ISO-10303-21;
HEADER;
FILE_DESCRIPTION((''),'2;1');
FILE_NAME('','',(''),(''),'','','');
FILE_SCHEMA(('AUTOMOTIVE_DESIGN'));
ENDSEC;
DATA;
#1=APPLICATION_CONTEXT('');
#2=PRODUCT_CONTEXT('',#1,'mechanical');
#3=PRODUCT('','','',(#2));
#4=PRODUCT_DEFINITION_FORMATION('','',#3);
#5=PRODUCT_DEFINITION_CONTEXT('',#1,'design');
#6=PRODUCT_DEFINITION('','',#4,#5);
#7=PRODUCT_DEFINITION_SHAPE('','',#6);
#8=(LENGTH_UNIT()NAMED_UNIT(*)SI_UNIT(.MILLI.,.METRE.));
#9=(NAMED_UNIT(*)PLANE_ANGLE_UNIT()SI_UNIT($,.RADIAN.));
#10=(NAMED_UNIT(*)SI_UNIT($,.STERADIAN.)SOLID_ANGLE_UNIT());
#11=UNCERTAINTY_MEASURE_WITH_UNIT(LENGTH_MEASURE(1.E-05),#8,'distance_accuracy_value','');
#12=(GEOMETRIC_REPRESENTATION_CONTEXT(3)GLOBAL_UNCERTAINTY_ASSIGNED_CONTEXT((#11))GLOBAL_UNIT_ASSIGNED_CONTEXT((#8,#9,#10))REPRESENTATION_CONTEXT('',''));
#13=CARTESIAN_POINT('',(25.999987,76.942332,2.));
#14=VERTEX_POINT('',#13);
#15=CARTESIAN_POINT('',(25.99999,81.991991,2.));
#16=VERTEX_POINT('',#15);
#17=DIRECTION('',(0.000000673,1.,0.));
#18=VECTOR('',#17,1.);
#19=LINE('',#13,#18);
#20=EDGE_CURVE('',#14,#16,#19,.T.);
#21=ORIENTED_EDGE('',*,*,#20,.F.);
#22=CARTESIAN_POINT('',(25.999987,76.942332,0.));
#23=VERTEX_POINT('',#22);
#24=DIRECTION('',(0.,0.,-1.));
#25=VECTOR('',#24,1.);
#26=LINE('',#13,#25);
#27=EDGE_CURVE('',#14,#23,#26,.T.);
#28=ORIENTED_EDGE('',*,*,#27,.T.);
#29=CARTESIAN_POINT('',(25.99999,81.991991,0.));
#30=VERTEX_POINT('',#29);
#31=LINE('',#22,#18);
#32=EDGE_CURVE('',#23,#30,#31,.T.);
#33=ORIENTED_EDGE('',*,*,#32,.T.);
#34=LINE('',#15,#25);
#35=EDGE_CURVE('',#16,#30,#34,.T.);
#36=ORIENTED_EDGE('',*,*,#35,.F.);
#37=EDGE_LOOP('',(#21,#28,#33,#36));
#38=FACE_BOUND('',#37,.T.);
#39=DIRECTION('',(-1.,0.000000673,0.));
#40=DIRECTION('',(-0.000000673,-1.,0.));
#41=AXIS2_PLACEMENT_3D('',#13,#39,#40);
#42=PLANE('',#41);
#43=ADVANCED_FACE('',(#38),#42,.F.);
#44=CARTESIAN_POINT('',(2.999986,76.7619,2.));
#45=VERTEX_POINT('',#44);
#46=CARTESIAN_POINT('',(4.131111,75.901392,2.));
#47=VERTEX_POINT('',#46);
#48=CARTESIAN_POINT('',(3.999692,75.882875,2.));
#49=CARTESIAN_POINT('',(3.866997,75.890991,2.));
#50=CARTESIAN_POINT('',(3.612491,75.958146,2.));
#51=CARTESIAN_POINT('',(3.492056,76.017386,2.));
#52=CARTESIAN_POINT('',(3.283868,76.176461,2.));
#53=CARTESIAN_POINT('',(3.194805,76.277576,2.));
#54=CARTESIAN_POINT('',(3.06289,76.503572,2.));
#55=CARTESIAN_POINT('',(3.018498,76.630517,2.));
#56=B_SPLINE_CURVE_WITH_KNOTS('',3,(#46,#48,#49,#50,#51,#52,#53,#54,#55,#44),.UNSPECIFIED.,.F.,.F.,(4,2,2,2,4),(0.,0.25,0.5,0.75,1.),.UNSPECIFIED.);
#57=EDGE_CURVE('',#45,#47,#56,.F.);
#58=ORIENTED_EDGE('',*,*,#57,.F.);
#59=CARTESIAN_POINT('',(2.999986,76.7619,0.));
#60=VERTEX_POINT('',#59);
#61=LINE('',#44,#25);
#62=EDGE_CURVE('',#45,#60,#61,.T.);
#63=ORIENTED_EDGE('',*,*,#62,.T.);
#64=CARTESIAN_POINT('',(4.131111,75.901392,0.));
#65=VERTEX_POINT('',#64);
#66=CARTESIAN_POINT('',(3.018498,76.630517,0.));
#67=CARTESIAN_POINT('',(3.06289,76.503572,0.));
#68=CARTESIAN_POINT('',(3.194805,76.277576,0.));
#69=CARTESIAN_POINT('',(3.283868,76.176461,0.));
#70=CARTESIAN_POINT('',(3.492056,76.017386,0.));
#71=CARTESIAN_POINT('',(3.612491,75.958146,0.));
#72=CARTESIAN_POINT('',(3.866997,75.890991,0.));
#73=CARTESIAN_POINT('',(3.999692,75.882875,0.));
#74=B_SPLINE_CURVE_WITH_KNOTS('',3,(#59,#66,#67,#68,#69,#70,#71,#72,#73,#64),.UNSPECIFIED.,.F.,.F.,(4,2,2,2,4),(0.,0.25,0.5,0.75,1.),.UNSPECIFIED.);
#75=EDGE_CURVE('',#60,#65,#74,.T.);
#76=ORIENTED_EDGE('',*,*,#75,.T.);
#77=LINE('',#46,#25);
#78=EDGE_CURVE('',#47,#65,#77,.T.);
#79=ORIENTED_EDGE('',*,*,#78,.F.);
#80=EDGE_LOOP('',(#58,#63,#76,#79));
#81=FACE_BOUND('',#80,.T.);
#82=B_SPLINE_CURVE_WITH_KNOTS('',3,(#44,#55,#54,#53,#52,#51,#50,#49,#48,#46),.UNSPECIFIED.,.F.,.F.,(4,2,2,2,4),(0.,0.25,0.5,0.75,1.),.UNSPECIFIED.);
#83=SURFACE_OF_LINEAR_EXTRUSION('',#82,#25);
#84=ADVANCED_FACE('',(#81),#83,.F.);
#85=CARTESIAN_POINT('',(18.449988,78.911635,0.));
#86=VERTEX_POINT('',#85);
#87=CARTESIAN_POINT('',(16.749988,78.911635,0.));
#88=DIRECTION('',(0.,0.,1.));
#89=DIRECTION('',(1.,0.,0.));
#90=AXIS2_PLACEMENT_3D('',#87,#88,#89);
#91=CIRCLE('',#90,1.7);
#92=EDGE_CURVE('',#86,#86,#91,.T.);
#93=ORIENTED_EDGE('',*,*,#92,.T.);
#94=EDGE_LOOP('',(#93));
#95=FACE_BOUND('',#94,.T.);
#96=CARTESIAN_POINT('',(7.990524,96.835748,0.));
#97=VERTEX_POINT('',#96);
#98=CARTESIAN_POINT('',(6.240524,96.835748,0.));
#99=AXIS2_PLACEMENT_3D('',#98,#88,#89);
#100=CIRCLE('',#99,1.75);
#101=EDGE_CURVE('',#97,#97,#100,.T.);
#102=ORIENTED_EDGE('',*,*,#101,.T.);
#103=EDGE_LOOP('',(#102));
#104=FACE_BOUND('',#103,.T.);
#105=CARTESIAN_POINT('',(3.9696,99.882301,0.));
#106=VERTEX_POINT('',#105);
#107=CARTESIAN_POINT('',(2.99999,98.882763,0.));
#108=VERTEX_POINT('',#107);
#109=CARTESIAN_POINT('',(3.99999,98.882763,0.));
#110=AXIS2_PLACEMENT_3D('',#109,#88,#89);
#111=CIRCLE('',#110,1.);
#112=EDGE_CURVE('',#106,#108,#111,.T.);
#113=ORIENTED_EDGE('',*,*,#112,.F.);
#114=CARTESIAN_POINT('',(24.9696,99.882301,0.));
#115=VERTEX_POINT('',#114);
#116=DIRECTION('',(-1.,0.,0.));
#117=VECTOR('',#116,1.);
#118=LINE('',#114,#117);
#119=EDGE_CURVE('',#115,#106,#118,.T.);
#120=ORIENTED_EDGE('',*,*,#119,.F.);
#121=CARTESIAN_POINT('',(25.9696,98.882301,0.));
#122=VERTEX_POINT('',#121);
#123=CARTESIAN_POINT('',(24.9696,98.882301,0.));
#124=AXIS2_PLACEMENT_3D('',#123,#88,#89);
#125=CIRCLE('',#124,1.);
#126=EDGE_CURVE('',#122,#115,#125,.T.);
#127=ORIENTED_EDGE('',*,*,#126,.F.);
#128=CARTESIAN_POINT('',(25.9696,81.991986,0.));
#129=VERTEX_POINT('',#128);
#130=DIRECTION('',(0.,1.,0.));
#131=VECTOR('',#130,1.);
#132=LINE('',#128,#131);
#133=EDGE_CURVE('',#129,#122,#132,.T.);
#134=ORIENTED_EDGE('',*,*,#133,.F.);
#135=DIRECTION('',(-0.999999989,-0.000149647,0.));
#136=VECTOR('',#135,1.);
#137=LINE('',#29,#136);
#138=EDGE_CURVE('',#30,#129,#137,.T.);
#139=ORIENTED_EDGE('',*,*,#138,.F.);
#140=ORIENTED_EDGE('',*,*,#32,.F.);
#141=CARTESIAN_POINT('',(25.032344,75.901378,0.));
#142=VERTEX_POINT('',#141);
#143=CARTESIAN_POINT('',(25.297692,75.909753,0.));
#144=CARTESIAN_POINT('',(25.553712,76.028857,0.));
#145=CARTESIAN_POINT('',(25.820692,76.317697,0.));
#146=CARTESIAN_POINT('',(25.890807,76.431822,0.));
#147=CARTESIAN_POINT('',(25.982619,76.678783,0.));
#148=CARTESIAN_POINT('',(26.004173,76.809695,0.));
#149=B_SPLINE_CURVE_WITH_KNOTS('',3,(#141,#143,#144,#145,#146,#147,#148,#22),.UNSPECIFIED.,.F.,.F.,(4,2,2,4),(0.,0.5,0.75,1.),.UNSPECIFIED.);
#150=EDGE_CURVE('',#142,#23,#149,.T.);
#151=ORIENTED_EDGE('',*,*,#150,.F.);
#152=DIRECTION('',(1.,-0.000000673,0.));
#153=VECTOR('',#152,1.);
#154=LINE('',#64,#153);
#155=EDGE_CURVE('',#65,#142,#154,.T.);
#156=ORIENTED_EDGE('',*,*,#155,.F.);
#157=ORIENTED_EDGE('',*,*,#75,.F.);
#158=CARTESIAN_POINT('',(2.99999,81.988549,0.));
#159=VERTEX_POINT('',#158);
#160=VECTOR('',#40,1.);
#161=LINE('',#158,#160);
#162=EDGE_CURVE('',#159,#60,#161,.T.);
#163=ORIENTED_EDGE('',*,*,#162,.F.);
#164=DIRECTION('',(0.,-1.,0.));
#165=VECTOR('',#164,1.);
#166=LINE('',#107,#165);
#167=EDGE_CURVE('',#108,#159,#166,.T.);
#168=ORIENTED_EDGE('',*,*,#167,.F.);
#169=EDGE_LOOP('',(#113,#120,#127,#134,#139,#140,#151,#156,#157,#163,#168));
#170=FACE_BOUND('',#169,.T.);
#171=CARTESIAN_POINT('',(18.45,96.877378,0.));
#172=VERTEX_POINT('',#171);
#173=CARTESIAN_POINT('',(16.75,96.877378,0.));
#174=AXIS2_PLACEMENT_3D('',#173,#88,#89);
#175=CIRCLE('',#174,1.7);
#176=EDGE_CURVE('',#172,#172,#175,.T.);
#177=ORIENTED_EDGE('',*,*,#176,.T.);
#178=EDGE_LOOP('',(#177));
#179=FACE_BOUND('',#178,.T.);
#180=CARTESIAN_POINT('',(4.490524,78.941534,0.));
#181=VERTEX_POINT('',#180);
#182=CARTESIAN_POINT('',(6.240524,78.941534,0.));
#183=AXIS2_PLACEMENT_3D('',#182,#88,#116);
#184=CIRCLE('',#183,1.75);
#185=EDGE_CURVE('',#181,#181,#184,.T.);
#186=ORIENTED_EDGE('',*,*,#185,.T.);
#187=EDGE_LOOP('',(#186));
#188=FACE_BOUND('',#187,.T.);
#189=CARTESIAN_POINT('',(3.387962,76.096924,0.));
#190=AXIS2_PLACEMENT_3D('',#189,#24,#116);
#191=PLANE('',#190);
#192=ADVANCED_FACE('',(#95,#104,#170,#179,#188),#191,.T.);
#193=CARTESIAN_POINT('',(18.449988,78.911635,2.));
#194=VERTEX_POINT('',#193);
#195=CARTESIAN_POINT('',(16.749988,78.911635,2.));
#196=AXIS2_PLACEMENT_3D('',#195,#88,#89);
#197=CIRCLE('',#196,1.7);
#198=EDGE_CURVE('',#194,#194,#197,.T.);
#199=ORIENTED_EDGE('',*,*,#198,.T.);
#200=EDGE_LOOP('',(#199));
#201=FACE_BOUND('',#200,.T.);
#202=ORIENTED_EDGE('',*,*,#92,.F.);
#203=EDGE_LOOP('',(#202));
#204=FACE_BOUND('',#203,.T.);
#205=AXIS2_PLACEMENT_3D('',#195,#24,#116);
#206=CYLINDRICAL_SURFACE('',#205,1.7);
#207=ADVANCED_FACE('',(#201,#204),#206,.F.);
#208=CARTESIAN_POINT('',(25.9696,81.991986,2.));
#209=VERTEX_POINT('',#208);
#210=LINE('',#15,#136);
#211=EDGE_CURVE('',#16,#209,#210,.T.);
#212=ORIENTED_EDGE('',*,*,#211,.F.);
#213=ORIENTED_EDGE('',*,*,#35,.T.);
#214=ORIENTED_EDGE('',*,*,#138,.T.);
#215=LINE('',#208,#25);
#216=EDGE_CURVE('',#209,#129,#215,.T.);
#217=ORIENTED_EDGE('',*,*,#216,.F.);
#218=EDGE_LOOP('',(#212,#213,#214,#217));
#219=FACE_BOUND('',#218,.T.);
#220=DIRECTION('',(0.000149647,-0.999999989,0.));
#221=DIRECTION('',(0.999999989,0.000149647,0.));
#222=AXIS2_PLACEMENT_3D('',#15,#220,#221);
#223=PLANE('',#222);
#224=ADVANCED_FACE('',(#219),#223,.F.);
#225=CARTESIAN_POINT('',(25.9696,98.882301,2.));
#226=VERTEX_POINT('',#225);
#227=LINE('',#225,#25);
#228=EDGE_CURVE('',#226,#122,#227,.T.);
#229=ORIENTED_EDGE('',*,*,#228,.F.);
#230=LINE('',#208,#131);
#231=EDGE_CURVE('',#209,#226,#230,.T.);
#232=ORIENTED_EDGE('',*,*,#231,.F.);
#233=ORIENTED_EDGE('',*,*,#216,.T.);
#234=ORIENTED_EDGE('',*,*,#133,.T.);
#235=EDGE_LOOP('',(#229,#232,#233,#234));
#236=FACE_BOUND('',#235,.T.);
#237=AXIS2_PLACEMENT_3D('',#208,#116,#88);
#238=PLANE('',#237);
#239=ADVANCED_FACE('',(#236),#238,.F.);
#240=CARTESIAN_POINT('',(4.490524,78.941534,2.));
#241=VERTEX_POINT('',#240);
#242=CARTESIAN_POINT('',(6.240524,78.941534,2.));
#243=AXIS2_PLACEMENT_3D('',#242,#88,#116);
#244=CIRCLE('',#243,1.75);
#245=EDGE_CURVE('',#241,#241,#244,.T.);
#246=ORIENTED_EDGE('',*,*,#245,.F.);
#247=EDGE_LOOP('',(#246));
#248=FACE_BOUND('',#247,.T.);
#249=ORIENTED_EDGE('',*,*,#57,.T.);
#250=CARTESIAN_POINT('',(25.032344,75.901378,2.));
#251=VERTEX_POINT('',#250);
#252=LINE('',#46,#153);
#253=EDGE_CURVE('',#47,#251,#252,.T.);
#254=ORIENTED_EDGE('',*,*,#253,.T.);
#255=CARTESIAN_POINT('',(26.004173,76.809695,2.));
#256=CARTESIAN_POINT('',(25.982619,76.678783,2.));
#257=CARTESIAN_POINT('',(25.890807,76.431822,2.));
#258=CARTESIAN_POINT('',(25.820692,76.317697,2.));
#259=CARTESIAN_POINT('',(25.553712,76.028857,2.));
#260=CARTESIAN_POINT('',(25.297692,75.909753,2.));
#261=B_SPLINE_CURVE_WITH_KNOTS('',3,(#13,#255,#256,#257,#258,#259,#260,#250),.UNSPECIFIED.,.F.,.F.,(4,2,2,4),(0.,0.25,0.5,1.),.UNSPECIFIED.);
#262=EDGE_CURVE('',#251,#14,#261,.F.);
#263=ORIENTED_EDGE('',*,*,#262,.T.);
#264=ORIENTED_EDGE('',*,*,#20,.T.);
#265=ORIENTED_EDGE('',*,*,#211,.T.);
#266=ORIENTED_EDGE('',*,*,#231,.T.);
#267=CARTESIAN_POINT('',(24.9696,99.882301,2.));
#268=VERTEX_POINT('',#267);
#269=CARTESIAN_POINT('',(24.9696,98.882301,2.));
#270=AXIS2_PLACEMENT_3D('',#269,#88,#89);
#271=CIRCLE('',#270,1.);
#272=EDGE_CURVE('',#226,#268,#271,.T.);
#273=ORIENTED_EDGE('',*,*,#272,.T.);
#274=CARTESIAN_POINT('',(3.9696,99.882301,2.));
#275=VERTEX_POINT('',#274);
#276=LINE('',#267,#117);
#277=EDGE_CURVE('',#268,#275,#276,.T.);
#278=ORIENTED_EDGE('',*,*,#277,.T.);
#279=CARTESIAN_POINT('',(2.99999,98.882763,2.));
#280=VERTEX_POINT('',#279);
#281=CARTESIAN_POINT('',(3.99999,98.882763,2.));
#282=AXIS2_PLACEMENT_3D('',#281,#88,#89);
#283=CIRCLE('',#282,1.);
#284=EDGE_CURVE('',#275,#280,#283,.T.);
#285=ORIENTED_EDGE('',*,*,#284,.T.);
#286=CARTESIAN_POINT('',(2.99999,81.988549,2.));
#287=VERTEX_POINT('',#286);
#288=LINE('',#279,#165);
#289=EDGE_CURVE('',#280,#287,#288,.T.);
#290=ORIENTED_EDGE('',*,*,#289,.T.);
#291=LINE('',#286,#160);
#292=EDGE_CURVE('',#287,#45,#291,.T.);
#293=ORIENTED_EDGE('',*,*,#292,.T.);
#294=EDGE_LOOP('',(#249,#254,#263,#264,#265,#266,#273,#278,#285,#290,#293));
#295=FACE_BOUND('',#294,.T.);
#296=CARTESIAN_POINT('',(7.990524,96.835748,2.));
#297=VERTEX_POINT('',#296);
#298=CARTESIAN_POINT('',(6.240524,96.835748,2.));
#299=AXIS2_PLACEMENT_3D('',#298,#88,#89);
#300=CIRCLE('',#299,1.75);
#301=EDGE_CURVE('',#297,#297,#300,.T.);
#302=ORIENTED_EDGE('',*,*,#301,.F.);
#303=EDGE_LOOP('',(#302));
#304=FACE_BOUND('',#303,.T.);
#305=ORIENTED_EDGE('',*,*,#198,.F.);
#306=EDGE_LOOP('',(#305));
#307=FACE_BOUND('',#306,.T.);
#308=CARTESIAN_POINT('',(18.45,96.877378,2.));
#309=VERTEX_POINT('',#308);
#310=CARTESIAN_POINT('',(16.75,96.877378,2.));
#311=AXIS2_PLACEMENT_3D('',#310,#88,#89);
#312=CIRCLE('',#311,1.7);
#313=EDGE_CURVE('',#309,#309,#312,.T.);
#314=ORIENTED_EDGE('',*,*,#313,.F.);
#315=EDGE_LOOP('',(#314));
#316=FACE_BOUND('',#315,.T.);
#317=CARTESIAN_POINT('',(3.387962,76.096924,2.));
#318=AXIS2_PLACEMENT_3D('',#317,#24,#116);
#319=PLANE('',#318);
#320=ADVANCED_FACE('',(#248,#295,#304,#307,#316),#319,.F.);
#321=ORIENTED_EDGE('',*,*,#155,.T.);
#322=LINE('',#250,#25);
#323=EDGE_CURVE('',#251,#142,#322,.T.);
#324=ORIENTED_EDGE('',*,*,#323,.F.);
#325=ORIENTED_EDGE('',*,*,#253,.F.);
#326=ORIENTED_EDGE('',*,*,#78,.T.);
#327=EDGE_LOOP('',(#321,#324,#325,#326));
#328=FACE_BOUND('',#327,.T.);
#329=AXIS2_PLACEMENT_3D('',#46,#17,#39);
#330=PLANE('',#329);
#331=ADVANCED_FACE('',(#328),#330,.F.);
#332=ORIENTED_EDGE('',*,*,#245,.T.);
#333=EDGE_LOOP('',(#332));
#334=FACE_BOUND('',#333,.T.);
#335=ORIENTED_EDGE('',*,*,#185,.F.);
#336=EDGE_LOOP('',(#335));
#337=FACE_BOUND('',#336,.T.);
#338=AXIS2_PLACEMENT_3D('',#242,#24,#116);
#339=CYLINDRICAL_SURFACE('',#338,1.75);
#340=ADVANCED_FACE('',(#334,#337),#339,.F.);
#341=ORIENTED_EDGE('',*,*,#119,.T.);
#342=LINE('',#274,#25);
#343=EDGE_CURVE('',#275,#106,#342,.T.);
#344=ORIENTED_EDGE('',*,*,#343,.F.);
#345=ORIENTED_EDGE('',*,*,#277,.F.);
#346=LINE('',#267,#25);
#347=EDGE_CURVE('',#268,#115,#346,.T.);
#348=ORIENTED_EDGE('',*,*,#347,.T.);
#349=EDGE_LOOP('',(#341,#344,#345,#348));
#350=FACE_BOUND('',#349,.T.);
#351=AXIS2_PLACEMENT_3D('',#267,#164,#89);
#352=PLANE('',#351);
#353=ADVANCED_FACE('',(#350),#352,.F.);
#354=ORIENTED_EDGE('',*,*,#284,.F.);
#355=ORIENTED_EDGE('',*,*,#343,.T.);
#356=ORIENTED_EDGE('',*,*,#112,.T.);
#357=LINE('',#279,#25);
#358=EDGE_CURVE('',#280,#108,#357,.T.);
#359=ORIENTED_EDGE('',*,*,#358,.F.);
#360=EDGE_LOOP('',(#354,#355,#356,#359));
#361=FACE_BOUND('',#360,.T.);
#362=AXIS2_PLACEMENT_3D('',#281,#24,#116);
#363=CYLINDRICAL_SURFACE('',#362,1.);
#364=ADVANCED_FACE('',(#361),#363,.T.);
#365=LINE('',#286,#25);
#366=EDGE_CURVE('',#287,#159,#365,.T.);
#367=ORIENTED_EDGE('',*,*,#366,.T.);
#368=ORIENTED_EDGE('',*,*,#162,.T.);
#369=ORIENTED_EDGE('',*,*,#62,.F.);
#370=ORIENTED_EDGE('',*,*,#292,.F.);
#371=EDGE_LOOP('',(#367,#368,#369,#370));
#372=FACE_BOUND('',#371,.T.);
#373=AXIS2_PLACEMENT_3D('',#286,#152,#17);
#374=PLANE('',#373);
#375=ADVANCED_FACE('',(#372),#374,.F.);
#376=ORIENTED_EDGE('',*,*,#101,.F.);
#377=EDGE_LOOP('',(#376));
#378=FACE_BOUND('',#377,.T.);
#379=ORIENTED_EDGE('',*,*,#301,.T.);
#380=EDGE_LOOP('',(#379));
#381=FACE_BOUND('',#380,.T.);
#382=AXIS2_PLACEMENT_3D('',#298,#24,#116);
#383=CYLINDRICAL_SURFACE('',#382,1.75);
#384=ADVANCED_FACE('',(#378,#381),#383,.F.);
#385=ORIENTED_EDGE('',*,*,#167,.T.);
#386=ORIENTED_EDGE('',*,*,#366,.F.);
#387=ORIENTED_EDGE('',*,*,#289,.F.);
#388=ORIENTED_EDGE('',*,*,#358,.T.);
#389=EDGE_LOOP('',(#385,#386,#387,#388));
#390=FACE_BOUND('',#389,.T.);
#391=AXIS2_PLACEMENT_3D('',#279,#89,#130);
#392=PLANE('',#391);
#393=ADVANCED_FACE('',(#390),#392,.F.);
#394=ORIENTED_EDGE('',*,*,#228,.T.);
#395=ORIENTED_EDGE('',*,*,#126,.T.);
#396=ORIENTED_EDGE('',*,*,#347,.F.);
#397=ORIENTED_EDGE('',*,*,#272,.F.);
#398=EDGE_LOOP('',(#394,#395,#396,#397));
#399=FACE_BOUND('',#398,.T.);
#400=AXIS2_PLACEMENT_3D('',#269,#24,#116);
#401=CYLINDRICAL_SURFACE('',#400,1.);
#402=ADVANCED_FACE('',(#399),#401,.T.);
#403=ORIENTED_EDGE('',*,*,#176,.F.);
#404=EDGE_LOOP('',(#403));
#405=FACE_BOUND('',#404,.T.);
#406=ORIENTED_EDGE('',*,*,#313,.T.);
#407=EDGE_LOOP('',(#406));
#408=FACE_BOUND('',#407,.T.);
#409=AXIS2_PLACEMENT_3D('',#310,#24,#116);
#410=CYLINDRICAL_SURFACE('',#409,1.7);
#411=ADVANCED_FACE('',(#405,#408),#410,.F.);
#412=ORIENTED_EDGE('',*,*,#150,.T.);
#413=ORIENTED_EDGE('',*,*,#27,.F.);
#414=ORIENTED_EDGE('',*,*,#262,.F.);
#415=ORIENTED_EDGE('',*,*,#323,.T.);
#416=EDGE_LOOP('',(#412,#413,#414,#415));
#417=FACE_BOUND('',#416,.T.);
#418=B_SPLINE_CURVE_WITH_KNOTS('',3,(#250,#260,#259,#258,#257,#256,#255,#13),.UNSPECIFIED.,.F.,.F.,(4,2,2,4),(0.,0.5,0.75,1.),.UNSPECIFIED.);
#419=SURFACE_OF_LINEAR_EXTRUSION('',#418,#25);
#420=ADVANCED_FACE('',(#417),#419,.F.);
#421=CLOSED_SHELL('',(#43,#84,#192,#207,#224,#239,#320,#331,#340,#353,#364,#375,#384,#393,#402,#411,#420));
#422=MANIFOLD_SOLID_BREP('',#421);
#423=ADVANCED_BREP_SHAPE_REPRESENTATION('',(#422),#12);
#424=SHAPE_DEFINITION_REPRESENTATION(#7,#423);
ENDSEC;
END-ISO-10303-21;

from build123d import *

# Parameters (mm, degrees)
SKETCH1_R           = 1.75
SKETCH1_R_2         = 1.7
BOSS_EXTRUDE1_DEPTH = 2


with BuildPart() as part:
    # Sketch1 → Boss-Extrude1 (new body)
    with BuildSketch(Plane.XY):
        with BuildLine():
            Line((4.131111122, 75.901391956), (25.032343796, 75.901377896))
            add(Edge.make_bspline(
                [(25.032343796, 75.901377896), (25.297692054, 75.90975298), (25.553711765, 76.028856816), (25.820691784, 76.317696861), (25.890807327, 76.431822393), (25.982618937, 76.678782523), (26.004172908, 76.809695074), (25.999986548, 76.942331771)],
                knots=[0, 0, 0, 0, 0.5, 0.5, 0.75, 0.75, 1, 1, 1, 1], degree=3))
            Line((25.999986548, 76.942331771), (25.999989945, 81.991990504))
            Line((25.999989945, 81.991990504), (25.969599942, 81.991985956))
            Line((25.969599942, 81.991985956), (25.969599942, 98.882300825))
            ThreePointArc((25.969599942, 98.882300825), (25.676706723, 99.589407606), (24.969599942, 99.882300825))
            Line((24.969599942, 99.882300825), (3.969599942, 99.882300825))
            ThreePointArc((3.969599942, 99.882300825), (3.282219087, 99.579042106), (2.999989942, 98.882762708))
            Line((2.999989942, 98.882762708), (2.999989942, 81.988548625))
            Line((2.999989942, 81.988548625), (2.999986426, 76.761900171))
            add(Edge.make_bspline(
                [(2.999986426, 76.761900171), (3.018498442, 76.630517465), (3.062890006, 76.50357159), (3.194804967, 76.27757553), (3.283868214, 76.176461233), (3.492056184, 76.01738597), (3.61249117, 75.958146472), (3.866997461, 75.89099095), (3.999692385, 75.882874863), (4.131111122, 75.901391956)],
                knots=[0, 0, 0, 0, 0.25, 0.25, 0.5, 0.5, 0.75, 0.75, 1, 1, 1, 1], degree=3))
        make_face()
        with Locations(Location((6.240524228, 78.941533895, 0), (0, 0, 180))):
            Circle(SKETCH1_R, mode=Mode.SUBTRACT)
        with Locations((16.749987873, 78.911635363)):
            Circle(SKETCH1_R_2, mode=Mode.SUBTRACT)
        with Locations((16.749999958, 96.877378149)):
            Circle(SKETCH1_R_2, mode=Mode.SUBTRACT)
        with Locations((6.240524228, 96.835747978)):
            Circle(SKETCH1_R, mode=Mode.SUBTRACT)
    extrude(amount=BOSS_EXTRUDE1_DEPTH)


solid = part.part
